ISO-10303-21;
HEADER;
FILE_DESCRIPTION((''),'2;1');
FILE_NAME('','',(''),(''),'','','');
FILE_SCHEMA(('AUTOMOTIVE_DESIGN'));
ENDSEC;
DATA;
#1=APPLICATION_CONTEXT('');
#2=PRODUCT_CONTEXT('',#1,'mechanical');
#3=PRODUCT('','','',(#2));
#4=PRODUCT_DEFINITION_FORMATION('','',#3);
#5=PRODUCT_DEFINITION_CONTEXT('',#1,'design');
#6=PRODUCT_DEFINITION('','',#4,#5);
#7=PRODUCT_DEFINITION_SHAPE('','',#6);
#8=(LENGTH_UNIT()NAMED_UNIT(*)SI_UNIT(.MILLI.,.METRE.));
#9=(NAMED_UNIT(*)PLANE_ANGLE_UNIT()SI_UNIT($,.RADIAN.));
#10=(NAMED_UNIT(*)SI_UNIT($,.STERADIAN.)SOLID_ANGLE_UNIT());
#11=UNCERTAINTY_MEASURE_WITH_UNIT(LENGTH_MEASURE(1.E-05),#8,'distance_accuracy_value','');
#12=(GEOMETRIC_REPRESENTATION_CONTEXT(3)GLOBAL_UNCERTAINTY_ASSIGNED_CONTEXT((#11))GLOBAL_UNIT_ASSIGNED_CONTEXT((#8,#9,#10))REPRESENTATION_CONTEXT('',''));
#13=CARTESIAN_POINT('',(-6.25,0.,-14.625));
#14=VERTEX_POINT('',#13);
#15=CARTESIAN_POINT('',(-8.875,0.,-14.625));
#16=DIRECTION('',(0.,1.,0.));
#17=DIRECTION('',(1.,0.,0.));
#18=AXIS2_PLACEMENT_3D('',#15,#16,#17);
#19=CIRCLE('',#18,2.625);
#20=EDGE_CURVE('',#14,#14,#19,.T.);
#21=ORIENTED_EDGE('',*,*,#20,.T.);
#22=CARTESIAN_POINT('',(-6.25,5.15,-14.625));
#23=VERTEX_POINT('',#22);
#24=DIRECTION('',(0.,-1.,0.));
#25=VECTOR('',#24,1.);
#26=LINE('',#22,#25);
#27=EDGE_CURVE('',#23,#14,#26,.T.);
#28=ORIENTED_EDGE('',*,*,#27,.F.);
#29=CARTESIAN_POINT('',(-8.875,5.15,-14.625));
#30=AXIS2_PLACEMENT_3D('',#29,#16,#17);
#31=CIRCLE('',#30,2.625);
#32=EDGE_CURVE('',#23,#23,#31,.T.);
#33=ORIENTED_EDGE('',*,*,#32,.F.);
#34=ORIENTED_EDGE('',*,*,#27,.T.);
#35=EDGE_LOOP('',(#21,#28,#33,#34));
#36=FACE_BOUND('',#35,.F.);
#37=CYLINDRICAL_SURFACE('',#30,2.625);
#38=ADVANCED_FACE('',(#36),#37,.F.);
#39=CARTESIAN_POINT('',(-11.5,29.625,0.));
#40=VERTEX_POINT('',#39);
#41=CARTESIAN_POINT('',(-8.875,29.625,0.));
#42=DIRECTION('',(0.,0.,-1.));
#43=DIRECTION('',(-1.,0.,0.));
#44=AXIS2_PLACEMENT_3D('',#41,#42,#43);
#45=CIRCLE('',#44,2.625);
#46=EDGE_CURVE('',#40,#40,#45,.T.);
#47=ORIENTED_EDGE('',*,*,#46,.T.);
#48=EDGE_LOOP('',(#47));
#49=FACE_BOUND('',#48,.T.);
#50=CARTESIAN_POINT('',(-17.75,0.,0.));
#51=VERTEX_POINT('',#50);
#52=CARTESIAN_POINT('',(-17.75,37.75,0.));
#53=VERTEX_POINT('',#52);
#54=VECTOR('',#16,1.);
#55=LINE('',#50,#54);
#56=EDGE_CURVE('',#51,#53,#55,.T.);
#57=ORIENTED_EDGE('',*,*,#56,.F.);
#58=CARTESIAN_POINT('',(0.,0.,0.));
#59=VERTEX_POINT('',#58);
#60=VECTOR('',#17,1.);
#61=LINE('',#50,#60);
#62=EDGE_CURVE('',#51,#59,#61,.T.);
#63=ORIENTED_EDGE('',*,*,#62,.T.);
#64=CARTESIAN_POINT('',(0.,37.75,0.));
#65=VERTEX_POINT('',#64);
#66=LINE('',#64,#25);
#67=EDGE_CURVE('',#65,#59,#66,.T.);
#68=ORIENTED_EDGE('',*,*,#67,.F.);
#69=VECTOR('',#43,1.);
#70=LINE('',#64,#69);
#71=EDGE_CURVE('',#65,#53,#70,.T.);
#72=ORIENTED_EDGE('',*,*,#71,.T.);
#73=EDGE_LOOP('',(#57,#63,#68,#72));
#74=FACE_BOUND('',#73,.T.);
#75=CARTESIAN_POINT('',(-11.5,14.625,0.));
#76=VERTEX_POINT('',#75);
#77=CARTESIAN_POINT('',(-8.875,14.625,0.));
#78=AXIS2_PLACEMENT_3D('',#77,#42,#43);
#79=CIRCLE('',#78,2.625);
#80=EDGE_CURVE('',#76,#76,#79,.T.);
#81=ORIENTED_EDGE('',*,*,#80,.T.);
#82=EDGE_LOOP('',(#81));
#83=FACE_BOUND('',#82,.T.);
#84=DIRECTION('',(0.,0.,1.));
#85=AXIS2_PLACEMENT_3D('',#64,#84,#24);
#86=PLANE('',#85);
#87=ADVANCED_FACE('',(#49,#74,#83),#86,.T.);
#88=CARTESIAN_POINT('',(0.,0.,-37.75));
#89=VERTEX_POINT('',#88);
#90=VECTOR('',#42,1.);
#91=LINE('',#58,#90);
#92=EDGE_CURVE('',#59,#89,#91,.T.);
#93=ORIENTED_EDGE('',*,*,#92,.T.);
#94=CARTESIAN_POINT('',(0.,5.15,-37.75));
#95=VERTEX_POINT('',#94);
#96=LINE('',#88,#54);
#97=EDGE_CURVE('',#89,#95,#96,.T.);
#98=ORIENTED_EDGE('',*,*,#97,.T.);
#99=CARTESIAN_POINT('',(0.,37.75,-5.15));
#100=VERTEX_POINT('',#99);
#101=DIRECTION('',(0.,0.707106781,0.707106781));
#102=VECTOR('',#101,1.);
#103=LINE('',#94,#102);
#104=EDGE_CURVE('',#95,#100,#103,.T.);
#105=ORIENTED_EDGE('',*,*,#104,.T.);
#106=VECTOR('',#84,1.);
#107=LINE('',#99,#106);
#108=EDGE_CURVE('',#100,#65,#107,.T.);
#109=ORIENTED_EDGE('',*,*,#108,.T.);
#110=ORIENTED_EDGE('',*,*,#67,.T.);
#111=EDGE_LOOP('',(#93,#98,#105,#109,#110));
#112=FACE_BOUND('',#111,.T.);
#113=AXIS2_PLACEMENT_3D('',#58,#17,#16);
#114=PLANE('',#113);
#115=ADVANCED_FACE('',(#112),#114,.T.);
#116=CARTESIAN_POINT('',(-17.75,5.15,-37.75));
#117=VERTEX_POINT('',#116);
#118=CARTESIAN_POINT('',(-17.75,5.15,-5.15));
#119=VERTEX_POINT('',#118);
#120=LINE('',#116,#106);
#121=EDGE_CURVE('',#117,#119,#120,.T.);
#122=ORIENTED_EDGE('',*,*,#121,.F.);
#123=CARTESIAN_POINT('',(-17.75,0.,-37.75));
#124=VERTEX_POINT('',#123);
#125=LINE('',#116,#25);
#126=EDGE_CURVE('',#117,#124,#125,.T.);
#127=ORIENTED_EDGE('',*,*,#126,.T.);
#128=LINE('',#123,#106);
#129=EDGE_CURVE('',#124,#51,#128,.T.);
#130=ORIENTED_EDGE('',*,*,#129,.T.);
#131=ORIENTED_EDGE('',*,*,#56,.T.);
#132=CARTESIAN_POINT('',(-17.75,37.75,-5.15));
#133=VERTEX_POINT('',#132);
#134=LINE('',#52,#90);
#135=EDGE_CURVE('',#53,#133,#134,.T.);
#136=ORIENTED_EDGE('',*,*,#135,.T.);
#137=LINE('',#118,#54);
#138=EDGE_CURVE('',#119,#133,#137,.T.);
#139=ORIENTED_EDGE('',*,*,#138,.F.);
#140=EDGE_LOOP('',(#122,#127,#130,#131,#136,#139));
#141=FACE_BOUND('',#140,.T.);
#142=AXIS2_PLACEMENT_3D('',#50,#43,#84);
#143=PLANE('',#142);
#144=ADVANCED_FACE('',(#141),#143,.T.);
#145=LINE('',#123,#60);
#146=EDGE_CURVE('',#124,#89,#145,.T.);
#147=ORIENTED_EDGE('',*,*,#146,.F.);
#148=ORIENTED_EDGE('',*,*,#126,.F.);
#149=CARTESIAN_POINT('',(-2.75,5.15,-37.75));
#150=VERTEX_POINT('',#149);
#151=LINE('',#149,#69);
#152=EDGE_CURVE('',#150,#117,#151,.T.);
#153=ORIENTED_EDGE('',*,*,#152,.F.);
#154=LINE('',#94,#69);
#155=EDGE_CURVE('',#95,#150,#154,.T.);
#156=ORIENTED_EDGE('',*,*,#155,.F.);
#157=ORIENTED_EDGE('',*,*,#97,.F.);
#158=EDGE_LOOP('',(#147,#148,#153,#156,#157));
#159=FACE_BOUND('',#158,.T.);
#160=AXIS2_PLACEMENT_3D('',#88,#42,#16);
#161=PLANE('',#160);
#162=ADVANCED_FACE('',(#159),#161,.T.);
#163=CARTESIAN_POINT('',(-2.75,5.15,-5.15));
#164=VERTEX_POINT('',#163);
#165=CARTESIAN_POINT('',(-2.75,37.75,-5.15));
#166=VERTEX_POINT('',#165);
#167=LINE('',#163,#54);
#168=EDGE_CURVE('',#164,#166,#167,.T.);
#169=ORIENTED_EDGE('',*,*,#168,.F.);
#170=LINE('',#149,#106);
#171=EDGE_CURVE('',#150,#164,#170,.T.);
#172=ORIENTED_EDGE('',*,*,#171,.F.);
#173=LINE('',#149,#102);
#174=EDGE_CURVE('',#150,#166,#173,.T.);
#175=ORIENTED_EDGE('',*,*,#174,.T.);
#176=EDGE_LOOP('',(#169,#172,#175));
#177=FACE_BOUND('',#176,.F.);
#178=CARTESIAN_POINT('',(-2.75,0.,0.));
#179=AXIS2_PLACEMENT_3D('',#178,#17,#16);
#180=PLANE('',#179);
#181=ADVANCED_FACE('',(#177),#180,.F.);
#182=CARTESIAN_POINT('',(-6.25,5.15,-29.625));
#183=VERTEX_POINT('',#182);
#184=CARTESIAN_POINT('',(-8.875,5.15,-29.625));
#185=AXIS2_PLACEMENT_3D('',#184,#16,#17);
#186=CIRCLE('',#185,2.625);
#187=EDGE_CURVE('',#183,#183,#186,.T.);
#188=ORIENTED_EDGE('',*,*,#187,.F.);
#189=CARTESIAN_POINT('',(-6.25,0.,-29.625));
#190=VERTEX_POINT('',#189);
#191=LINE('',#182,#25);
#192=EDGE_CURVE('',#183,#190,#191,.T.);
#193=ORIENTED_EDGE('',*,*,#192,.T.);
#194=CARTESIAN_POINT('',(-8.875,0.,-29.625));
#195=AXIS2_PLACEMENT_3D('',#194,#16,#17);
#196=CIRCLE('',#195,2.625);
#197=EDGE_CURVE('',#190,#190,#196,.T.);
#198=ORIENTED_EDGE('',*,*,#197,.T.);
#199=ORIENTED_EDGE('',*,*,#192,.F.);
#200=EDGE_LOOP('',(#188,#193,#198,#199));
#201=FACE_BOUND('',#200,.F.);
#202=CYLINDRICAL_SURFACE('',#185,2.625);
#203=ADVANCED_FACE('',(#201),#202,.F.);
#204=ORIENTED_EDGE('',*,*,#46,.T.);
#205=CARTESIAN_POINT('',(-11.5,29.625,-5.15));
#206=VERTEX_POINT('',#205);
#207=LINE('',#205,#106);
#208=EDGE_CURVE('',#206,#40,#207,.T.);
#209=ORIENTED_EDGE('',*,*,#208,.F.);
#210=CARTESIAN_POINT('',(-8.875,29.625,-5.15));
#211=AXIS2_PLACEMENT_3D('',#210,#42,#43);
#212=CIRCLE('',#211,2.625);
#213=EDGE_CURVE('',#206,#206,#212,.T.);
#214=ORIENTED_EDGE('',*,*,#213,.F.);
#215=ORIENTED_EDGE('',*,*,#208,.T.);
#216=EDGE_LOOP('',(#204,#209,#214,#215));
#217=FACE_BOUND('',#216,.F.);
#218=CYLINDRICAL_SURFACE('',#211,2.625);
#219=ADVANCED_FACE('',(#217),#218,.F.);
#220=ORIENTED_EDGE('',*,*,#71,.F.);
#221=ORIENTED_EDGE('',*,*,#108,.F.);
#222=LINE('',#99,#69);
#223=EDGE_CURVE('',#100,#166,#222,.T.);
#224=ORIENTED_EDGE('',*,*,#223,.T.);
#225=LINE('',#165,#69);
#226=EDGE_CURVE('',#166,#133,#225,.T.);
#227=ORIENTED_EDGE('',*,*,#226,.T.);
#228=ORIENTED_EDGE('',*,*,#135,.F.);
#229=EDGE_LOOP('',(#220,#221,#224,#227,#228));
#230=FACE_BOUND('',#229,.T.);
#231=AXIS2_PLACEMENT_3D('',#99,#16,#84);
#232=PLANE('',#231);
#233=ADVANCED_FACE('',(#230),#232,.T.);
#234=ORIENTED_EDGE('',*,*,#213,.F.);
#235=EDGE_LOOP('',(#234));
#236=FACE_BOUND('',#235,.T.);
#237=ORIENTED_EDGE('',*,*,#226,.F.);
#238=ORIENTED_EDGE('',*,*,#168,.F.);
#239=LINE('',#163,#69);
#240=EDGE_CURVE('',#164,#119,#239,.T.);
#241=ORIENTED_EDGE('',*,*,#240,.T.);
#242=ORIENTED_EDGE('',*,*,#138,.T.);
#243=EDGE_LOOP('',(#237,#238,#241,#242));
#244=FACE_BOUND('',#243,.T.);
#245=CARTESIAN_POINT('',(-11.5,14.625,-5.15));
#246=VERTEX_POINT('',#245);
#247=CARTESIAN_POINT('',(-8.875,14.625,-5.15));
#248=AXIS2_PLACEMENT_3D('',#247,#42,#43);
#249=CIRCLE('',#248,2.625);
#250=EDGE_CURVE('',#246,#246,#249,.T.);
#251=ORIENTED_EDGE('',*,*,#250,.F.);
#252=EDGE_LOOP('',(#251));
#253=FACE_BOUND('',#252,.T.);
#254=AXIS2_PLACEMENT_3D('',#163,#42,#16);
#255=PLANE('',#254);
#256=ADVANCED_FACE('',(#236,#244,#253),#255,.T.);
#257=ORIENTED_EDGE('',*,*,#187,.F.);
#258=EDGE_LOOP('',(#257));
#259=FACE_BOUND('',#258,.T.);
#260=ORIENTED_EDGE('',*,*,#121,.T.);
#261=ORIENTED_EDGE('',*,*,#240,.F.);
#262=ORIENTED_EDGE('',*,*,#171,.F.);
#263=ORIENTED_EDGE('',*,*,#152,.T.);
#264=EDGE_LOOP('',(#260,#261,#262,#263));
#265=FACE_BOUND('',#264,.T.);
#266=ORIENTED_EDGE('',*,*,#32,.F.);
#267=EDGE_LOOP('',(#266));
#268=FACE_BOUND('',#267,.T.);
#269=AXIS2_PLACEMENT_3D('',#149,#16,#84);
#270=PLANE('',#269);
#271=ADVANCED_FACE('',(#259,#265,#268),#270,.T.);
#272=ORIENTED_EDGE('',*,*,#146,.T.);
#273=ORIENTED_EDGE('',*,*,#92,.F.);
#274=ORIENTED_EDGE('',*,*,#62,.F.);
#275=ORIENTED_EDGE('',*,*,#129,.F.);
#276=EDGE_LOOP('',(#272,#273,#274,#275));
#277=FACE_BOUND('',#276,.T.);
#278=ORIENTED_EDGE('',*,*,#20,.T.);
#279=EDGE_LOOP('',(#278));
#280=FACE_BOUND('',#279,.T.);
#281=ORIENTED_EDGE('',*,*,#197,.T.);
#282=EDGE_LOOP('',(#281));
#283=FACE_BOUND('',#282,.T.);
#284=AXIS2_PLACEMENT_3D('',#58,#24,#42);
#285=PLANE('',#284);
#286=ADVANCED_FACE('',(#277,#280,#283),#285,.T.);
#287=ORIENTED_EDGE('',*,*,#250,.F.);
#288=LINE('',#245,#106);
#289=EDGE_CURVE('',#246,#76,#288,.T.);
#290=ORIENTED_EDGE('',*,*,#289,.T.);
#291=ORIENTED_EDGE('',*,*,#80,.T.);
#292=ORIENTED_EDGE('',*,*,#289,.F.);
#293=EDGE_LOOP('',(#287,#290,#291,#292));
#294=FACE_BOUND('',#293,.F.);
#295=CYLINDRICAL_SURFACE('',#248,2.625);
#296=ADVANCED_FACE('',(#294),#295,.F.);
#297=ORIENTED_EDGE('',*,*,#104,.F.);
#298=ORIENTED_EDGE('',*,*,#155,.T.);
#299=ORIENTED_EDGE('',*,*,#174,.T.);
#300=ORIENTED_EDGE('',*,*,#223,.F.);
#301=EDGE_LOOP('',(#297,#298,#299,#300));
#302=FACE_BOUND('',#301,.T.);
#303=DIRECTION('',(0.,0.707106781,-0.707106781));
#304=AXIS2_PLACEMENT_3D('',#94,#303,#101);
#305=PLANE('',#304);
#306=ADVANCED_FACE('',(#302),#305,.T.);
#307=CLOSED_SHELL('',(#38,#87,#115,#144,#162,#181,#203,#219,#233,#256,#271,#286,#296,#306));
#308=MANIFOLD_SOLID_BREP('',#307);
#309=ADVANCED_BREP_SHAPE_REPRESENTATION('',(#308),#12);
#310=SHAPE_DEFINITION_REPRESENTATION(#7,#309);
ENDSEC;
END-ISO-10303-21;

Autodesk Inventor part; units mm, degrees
ref_plane "YZ Plane" through (0, 0, 0) normal (1, 0, 0) x (0, 1, 0)
ref_plane "XZ Plane" through (0, 0, 0) normal (0, 1, 0) x (-1, 0, 0)
ref_plane "XY Plane" through (0, 0, 0) normal (0, 0, 1) x (1, 0, 0)
sketch "Sketch1" plane through (0, 0, 0) normal (1, 0, 0) x (0, 1, 0)
  line L0 (0, 0) -> (0, -37.75)
  line L1 (0, -37.75) -> (5.15, -37.75)
  line L2 (5.15, -37.75) -> (37.75, -5.15)
  line L3 (37.75, -5.15) -> (37.75, 0)
  line L4 (37.75, 0) -> (0, 0)
  dimension "d0" = 135
  dimension "d1" = 37.75
  dimension "d2" = 5.15
  dimension "d3" = 5.15
extrude "Extrusion1" add sketch "Sketch1" against normal blind 2.75
sketch "Sketch2" plane through (-2.75, 0, 0) normal (-1, 0, 0) x (0, 0, 1)
  line L0 (-37.75, 5.15) -> (-37.75, 0) projected
  line L1 (-37.75, 0) -> (0, 0) projected
  line L2 (0, 0) -> (0, 37.75) projected
  line L3 (0, 37.75) -> (-5.15, 37.75) projected
  line L4 (-5.15, 37.75) -> (-37.75, 5.15) projected
  line L5 (-37.75, 5.15) -> (-37.75, 0) projected
  line L6 (-37.75, 5.15) -> (-5.15, 5.15)
  line L7 (0, 37.75) -> (-5.15, 37.75) projected
  line L8 (-5.15, 5.15) -> (-5.15, 37.75)
extrude "Extrusion2" add sketch "Sketch2" along normal blind 15 contours L6 L8 L3 L2 L1 L0
sketch "Sketch3" plane through (-2.75, 5.15, -5.15) normal (0, 1, 0) x (1, 0, 0)
  line L0 (0, 0) -> (-15, 0) construction
  line L1 (-6.125, 0.4254) -> (-6.125, 32.6) construction
  line L2 (2.75, 32.6) -> (-15, 32.6) construction
  circle A0 centre (-6.125, 24.475) radius 2.625
  circle A1 centre (-6.125, 9.475) radius 2.625
  line L3 (-6.125, 2.1875) -> (-15, 2.1875) construction
  line L4 (-15, 32.6) -> (-15, -5.15) construction
  line L5 (-6.125, 2.1875) -> (2.75, 2.1875) construction
  line L6 (2.75, -5.15) -> (2.75, 32.6) construction
  dimension "d8" = 5.25
  dimension "d9" = 8.125
  dimension "d10" = 5.25
  dimension "d11" = 23.125
extrude "Extrusion3" cut sketch "Sketch3" against normal up to next
sketch "Sketch4" plane through (-2.75, 5.15, -5.15) normal (0, 0, -1) x (-1, 0, 0)
  line L0 (0, 0) -> (15, 0) construction
  line L1 (6.125, -0.1704) -> (6.125, 32.4296) construction
  line L2 (0, 32.6) -> (15, 32.6) construction
  circle A0 centre (6.125, 24.475) radius 2.625
  circle A1 centre (6.125, 9.475) radius 2.625
  line L3 (6.125, 29.763) -> (15, 29.763) construction
  line L4 (15, 32.6) -> (15, 0) construction
  line L5 (6.125, 29.763) -> (-2.75, 29.763) construction
  line L6 (-2.75, 32.6) -> (-2.75, -5.15) construction
  dimension "d14" = 5.25
  dimension "d15" = 5.25
  dimension "d16" = 8.125
  dimension "d17" = 23.125
extrude "Extrusion4" cut sketch "Sketch4" against normal up to next
equation "\"d3\" = d2"
equation "\"d10\" = d8"
equation "\"d15\" = d14"
properties part number "2020 Extrusion 90deg 4Hole Aluminum Bracket"
